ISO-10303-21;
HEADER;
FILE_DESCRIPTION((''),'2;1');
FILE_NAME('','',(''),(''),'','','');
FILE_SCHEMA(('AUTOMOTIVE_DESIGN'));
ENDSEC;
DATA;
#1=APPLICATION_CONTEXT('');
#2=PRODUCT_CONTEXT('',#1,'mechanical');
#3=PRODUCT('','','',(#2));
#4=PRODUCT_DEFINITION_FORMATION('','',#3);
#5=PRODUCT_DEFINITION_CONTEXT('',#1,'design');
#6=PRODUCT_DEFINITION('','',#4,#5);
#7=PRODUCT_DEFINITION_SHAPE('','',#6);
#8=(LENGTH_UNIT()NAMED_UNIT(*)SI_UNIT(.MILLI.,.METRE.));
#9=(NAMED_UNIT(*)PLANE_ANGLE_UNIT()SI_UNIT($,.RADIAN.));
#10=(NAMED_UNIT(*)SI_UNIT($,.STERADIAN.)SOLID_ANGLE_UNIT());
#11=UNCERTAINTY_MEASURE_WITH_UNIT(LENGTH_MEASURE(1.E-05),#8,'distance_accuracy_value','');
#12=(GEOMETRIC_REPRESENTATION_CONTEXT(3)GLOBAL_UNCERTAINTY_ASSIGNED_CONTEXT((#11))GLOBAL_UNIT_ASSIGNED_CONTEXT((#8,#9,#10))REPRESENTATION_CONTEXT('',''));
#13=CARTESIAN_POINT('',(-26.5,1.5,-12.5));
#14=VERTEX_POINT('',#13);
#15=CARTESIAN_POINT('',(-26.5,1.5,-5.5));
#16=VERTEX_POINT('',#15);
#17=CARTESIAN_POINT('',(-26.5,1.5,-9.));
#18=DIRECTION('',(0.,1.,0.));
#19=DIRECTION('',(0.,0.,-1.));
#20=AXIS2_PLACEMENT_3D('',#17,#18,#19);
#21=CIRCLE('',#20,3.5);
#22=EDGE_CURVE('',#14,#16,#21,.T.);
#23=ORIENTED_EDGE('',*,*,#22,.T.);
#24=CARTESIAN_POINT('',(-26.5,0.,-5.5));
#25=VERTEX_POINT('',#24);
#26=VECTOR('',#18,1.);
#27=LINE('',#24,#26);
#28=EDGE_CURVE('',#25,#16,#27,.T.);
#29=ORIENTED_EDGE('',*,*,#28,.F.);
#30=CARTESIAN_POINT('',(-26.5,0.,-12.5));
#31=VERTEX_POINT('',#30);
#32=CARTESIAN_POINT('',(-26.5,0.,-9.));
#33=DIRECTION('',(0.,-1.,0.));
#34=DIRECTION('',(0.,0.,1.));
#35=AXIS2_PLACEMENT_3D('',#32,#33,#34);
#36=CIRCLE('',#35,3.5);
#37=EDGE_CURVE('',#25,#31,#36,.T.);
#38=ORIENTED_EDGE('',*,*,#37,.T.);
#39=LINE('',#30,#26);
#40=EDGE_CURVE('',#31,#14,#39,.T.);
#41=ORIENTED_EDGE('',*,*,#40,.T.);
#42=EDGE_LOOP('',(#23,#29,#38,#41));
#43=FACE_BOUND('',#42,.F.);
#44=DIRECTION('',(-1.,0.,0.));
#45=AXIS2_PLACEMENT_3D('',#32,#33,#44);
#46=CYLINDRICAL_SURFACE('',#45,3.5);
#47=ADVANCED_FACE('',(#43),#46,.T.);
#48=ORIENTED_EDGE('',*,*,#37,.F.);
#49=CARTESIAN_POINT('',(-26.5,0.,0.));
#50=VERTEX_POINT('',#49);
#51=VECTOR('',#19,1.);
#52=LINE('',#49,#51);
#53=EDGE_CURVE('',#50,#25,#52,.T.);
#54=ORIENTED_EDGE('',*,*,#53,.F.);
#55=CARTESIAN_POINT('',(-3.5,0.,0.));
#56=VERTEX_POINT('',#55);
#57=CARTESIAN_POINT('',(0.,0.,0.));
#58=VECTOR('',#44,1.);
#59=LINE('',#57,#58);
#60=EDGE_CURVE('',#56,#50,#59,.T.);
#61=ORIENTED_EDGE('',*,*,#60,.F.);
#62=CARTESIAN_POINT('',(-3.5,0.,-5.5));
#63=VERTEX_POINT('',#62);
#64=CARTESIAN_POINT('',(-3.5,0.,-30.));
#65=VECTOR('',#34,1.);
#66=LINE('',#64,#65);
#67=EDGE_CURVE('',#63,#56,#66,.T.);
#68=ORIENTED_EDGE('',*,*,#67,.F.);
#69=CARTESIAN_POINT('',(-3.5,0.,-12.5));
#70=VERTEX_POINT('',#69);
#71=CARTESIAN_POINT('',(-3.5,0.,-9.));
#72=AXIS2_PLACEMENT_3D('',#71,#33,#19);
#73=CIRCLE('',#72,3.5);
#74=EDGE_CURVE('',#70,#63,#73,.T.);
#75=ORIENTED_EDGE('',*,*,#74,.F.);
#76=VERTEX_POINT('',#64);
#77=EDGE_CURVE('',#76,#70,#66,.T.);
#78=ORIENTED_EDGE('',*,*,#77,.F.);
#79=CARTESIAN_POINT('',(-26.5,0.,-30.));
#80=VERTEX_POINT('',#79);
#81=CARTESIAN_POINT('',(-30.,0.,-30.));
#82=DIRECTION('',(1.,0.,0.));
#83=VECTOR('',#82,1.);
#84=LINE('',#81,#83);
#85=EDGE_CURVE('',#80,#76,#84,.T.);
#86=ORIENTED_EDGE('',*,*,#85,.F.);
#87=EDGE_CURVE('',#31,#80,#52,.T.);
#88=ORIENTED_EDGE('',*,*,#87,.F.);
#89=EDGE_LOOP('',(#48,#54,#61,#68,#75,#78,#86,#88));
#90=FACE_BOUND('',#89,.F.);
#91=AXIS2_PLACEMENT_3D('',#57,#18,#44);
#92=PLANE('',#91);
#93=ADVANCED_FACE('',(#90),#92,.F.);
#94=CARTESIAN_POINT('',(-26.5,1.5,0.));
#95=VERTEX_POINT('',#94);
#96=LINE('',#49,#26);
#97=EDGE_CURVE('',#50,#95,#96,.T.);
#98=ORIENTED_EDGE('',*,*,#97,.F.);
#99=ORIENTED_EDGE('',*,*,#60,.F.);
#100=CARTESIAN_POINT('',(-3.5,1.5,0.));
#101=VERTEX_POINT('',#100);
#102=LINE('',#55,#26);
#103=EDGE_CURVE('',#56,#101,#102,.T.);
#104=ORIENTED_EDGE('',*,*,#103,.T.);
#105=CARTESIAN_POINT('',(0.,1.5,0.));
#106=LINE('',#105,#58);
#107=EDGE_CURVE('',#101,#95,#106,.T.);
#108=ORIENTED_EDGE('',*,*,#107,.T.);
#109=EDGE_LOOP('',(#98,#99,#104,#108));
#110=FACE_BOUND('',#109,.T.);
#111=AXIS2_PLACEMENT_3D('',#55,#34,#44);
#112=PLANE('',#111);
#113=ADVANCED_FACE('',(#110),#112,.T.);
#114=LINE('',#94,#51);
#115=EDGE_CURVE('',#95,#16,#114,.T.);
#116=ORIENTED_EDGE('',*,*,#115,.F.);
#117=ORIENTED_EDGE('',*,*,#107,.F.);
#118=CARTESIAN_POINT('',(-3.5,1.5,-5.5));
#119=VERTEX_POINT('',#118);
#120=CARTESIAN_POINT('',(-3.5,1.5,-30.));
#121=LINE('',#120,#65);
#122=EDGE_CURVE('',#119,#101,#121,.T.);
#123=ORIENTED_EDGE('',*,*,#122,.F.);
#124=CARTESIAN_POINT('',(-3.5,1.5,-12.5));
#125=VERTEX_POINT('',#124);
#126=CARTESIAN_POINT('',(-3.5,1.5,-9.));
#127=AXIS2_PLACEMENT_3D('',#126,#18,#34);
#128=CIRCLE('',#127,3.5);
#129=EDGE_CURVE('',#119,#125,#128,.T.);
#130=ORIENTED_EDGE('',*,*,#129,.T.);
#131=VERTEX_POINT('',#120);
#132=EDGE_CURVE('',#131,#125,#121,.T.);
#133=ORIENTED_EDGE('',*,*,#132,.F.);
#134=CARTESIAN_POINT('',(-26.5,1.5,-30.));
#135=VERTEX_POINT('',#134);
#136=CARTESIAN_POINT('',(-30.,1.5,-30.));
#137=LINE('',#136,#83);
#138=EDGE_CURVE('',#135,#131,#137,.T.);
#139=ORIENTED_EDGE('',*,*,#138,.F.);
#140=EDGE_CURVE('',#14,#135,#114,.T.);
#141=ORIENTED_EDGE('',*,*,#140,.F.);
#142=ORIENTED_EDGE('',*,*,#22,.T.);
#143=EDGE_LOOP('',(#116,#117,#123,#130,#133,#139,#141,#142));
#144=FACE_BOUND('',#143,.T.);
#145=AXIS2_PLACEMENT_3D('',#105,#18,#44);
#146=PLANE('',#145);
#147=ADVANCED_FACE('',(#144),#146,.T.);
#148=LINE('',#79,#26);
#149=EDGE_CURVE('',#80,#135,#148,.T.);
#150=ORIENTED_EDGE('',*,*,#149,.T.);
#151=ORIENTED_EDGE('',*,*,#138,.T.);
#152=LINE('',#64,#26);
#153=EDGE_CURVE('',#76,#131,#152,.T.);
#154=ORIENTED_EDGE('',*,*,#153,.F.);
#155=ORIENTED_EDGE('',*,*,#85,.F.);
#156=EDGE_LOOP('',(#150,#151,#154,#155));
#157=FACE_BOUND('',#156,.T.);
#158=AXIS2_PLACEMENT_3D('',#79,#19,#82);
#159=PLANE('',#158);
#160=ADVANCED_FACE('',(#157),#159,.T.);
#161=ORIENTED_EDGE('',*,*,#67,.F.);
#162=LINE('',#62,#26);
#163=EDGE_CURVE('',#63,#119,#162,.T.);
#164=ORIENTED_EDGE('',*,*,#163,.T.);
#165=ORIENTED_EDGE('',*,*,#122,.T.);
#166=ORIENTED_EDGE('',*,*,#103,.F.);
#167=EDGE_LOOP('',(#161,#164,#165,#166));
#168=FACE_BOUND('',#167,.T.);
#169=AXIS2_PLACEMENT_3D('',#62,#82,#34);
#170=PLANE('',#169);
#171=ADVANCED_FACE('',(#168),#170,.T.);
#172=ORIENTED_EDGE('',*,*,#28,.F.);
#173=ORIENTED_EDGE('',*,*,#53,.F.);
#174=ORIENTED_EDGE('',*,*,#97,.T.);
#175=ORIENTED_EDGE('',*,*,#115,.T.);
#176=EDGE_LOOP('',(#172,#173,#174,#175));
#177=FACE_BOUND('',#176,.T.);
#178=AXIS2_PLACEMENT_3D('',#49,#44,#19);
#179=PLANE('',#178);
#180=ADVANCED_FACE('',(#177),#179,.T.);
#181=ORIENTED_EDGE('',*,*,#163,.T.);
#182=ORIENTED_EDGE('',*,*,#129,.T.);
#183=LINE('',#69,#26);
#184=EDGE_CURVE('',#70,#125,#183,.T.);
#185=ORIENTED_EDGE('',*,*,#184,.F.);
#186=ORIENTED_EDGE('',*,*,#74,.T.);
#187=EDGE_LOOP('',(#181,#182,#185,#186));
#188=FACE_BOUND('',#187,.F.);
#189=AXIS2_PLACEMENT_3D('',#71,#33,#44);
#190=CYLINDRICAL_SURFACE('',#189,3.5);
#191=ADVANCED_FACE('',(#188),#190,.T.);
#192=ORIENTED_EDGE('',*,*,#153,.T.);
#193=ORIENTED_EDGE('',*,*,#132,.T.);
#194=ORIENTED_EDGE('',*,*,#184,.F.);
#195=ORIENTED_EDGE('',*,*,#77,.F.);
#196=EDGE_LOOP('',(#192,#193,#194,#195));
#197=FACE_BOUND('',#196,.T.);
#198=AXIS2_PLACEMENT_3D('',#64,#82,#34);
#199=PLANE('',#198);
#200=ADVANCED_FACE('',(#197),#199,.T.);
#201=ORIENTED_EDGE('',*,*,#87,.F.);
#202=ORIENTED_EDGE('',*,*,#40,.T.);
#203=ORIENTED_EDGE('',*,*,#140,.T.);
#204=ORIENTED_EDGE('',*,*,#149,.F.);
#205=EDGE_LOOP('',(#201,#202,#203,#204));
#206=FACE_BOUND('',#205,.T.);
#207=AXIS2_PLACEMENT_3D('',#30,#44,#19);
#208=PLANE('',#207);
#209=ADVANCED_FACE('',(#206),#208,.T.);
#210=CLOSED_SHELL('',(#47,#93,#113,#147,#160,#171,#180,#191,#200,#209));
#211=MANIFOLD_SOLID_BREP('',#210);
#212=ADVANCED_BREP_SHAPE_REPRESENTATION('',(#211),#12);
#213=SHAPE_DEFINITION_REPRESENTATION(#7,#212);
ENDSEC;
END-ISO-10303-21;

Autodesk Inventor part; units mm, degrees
ref_plane "YZ Plane" through (0, 0, 0) normal (1, 0, 0) x (0, 1, 0)
ref_plane "XZ Plane" through (0, 0, 0) normal (0, 1, 0) x (-1, 0, 0)
ref_plane "XY Plane" through (0, 0, 0) normal (0, 0, 1) x (1, 0, 0)
sketch "スケッチ1" plane through (0, 0, 0) normal (0, 1, 0) x (-1, 0, 0)
  line L0 (0, 0) -> (30, 0)
  line L1 (30, 0) -> (30, -30)
  line L2 (30, -30) -> (0, -30)
  line L3 (0, -30) -> (0, 0)
  circle A0 centre (26.5, -9) radius 3.5
  circle A1 centre (3.5, -9) radius 3.5
  line L4 (26.5, 0) -> (26.5, -30)
  line L5 (3.5, -30) -> (3.5, 0)
  point P0 (26.5, -12.5)
  point P1 (26.5, -5.5)
  point P2 (3.5, -5.5)
  point P3 (3.5, -12.5)
  dimension "d0" = 30
  dimension "d1" = 30
  dimension "d2" = 7
  dimension "d3" = 7
  dimension "d4" = 9
extrude "押し出し1" add sketch "スケッチ1" along normal blind 1.5 contours L0 L4 A0 L2 L5 A1 | A1 L5 | A1 L5 | L4 A0 | A0 L4
properties part number "type_A"
